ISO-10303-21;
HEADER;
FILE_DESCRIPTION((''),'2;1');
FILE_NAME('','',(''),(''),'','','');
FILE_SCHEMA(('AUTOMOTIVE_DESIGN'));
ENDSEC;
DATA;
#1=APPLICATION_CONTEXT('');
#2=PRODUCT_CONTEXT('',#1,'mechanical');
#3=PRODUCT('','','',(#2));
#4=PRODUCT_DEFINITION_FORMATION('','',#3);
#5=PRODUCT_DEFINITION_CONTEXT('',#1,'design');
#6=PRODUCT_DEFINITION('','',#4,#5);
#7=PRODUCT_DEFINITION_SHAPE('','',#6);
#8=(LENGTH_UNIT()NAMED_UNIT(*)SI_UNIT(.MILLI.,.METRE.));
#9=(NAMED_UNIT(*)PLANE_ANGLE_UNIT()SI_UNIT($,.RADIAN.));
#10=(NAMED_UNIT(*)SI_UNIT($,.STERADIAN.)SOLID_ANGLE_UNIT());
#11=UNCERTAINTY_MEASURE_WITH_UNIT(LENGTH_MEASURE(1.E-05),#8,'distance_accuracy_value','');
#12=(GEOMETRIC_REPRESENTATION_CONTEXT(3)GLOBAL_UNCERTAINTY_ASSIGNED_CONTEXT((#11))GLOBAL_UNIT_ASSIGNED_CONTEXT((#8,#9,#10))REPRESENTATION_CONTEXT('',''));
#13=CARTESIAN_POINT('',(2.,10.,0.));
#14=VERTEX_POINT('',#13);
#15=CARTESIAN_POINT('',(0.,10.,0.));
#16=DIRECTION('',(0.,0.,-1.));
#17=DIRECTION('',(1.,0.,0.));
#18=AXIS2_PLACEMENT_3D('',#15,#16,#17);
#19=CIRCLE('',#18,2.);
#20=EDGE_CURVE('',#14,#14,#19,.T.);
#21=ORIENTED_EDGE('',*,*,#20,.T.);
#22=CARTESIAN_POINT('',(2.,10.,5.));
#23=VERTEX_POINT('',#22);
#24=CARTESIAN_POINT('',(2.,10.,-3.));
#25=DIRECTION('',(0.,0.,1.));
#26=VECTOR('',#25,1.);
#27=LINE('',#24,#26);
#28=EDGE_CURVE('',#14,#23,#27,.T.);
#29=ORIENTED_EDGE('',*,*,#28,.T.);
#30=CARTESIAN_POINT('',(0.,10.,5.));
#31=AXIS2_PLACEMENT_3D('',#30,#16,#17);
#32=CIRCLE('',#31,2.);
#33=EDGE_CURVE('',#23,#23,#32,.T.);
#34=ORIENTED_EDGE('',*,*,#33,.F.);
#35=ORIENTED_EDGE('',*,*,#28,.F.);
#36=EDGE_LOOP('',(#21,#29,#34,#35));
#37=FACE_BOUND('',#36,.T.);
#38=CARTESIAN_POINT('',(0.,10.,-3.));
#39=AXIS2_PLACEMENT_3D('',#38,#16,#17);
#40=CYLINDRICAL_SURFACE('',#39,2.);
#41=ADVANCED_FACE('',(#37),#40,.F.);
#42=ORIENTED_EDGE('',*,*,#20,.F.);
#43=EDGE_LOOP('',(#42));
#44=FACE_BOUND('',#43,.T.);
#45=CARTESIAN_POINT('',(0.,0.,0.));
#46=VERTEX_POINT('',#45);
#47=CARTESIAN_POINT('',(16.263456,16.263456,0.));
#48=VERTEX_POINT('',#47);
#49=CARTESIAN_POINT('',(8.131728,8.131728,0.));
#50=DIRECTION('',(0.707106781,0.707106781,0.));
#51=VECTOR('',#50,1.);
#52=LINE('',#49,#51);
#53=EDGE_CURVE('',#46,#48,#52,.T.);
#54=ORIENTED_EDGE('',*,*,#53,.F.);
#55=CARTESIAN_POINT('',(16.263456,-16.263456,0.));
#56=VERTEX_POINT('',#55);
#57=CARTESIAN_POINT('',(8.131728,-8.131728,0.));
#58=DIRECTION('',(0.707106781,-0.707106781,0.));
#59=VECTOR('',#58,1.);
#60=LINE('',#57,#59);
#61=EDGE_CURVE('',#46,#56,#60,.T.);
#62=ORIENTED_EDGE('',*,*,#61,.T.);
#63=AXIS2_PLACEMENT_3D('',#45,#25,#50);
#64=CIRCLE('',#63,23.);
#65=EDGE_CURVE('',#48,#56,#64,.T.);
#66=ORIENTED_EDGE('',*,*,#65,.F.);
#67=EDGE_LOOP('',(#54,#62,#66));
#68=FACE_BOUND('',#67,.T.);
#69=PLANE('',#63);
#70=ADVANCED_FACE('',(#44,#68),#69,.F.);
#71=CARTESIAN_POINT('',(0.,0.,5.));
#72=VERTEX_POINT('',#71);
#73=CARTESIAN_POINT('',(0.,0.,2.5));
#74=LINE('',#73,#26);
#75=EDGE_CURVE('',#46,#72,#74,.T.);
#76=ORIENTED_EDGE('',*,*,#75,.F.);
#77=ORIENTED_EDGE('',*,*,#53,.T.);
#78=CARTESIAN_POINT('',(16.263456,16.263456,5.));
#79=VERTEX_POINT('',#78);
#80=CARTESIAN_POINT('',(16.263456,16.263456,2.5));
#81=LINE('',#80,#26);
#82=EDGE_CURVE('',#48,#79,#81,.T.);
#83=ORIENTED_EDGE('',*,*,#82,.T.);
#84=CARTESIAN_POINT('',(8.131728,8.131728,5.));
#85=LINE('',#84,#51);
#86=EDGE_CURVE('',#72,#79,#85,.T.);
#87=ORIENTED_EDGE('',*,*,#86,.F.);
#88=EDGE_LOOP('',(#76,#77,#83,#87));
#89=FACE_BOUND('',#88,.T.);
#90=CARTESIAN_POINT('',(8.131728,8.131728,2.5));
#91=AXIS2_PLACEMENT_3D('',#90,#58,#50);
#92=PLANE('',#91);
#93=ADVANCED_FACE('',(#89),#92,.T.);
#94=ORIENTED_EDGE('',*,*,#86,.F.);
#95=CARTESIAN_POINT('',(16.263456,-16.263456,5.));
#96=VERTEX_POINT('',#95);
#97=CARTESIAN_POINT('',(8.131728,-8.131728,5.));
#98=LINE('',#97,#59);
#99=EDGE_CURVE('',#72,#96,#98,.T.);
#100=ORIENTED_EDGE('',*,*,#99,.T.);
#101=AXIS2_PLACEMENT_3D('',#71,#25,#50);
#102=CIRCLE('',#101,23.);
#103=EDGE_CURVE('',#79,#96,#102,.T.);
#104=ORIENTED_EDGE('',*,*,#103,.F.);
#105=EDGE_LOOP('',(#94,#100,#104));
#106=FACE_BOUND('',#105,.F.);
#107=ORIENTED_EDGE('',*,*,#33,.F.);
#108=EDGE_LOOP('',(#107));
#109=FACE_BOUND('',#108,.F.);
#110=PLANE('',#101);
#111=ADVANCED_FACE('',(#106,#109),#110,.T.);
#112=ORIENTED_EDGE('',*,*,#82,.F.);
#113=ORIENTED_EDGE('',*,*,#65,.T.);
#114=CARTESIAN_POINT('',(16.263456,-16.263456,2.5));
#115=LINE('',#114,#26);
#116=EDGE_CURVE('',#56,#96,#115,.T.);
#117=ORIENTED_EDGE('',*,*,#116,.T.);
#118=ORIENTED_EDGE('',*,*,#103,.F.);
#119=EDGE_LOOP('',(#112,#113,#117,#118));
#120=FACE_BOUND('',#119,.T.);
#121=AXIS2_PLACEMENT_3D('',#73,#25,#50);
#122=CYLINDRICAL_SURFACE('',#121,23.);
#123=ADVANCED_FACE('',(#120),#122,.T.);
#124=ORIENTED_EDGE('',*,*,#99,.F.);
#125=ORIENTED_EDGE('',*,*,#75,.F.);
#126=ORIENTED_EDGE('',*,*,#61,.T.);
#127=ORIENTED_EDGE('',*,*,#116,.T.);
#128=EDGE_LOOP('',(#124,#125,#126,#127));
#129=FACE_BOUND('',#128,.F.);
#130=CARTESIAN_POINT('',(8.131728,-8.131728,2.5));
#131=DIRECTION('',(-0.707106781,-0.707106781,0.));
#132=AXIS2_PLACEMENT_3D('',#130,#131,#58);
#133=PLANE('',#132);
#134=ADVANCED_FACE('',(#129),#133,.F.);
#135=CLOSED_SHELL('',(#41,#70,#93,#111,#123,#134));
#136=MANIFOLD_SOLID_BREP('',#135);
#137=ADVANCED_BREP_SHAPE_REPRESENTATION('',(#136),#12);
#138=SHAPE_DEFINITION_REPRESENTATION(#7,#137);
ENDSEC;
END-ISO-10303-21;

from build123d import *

# Parameters (mm, degrees)
CYLINDER001_R            = 2
CYLINDER001_DEPTH        = 10
CYLINDER_W               = 23
CYLINDER_H               = 5
CYLINDER_ANGLE           = 270
CYLINDER_PLACEMENT_ANGLE = 45


with BuildPart() as ojo:
    # Cylinder001 → Cylinder001 (new body)
    with BuildSketch(Plane(origin=(0, 10, -3), x_dir=(1, 0, 0), z_dir=(0, 0, 1))):
        Circle(CYLINDER001_R)
    extrude(amount=CYLINDER001_DEPTH)


with BuildPart() as pacman001:
    # Cylinder → Cylinder (revolve)
    with BuildSketch(Plane.XZ):
        with Locations((11.5, 2.5)):
            Rectangle(CYLINDER_W, CYLINDER_H)
    revolve(axis=Axis((0, 0, 0), (0, 0, 1)), revolution_arc=CYLINDER_ANGLE)


with BuildPart() as pacman001_1:
    # Cylinder placement: moved
    add(pacman001.part.rotate(Axis((0, 0, 0), (0, 0, 1)), CYLINDER_PLACEMENT_ANGLE))

    # Cut: cut Ojo
    add(ojo.part, mode=Mode.SUBTRACT)


solid = pacman001_1.part
